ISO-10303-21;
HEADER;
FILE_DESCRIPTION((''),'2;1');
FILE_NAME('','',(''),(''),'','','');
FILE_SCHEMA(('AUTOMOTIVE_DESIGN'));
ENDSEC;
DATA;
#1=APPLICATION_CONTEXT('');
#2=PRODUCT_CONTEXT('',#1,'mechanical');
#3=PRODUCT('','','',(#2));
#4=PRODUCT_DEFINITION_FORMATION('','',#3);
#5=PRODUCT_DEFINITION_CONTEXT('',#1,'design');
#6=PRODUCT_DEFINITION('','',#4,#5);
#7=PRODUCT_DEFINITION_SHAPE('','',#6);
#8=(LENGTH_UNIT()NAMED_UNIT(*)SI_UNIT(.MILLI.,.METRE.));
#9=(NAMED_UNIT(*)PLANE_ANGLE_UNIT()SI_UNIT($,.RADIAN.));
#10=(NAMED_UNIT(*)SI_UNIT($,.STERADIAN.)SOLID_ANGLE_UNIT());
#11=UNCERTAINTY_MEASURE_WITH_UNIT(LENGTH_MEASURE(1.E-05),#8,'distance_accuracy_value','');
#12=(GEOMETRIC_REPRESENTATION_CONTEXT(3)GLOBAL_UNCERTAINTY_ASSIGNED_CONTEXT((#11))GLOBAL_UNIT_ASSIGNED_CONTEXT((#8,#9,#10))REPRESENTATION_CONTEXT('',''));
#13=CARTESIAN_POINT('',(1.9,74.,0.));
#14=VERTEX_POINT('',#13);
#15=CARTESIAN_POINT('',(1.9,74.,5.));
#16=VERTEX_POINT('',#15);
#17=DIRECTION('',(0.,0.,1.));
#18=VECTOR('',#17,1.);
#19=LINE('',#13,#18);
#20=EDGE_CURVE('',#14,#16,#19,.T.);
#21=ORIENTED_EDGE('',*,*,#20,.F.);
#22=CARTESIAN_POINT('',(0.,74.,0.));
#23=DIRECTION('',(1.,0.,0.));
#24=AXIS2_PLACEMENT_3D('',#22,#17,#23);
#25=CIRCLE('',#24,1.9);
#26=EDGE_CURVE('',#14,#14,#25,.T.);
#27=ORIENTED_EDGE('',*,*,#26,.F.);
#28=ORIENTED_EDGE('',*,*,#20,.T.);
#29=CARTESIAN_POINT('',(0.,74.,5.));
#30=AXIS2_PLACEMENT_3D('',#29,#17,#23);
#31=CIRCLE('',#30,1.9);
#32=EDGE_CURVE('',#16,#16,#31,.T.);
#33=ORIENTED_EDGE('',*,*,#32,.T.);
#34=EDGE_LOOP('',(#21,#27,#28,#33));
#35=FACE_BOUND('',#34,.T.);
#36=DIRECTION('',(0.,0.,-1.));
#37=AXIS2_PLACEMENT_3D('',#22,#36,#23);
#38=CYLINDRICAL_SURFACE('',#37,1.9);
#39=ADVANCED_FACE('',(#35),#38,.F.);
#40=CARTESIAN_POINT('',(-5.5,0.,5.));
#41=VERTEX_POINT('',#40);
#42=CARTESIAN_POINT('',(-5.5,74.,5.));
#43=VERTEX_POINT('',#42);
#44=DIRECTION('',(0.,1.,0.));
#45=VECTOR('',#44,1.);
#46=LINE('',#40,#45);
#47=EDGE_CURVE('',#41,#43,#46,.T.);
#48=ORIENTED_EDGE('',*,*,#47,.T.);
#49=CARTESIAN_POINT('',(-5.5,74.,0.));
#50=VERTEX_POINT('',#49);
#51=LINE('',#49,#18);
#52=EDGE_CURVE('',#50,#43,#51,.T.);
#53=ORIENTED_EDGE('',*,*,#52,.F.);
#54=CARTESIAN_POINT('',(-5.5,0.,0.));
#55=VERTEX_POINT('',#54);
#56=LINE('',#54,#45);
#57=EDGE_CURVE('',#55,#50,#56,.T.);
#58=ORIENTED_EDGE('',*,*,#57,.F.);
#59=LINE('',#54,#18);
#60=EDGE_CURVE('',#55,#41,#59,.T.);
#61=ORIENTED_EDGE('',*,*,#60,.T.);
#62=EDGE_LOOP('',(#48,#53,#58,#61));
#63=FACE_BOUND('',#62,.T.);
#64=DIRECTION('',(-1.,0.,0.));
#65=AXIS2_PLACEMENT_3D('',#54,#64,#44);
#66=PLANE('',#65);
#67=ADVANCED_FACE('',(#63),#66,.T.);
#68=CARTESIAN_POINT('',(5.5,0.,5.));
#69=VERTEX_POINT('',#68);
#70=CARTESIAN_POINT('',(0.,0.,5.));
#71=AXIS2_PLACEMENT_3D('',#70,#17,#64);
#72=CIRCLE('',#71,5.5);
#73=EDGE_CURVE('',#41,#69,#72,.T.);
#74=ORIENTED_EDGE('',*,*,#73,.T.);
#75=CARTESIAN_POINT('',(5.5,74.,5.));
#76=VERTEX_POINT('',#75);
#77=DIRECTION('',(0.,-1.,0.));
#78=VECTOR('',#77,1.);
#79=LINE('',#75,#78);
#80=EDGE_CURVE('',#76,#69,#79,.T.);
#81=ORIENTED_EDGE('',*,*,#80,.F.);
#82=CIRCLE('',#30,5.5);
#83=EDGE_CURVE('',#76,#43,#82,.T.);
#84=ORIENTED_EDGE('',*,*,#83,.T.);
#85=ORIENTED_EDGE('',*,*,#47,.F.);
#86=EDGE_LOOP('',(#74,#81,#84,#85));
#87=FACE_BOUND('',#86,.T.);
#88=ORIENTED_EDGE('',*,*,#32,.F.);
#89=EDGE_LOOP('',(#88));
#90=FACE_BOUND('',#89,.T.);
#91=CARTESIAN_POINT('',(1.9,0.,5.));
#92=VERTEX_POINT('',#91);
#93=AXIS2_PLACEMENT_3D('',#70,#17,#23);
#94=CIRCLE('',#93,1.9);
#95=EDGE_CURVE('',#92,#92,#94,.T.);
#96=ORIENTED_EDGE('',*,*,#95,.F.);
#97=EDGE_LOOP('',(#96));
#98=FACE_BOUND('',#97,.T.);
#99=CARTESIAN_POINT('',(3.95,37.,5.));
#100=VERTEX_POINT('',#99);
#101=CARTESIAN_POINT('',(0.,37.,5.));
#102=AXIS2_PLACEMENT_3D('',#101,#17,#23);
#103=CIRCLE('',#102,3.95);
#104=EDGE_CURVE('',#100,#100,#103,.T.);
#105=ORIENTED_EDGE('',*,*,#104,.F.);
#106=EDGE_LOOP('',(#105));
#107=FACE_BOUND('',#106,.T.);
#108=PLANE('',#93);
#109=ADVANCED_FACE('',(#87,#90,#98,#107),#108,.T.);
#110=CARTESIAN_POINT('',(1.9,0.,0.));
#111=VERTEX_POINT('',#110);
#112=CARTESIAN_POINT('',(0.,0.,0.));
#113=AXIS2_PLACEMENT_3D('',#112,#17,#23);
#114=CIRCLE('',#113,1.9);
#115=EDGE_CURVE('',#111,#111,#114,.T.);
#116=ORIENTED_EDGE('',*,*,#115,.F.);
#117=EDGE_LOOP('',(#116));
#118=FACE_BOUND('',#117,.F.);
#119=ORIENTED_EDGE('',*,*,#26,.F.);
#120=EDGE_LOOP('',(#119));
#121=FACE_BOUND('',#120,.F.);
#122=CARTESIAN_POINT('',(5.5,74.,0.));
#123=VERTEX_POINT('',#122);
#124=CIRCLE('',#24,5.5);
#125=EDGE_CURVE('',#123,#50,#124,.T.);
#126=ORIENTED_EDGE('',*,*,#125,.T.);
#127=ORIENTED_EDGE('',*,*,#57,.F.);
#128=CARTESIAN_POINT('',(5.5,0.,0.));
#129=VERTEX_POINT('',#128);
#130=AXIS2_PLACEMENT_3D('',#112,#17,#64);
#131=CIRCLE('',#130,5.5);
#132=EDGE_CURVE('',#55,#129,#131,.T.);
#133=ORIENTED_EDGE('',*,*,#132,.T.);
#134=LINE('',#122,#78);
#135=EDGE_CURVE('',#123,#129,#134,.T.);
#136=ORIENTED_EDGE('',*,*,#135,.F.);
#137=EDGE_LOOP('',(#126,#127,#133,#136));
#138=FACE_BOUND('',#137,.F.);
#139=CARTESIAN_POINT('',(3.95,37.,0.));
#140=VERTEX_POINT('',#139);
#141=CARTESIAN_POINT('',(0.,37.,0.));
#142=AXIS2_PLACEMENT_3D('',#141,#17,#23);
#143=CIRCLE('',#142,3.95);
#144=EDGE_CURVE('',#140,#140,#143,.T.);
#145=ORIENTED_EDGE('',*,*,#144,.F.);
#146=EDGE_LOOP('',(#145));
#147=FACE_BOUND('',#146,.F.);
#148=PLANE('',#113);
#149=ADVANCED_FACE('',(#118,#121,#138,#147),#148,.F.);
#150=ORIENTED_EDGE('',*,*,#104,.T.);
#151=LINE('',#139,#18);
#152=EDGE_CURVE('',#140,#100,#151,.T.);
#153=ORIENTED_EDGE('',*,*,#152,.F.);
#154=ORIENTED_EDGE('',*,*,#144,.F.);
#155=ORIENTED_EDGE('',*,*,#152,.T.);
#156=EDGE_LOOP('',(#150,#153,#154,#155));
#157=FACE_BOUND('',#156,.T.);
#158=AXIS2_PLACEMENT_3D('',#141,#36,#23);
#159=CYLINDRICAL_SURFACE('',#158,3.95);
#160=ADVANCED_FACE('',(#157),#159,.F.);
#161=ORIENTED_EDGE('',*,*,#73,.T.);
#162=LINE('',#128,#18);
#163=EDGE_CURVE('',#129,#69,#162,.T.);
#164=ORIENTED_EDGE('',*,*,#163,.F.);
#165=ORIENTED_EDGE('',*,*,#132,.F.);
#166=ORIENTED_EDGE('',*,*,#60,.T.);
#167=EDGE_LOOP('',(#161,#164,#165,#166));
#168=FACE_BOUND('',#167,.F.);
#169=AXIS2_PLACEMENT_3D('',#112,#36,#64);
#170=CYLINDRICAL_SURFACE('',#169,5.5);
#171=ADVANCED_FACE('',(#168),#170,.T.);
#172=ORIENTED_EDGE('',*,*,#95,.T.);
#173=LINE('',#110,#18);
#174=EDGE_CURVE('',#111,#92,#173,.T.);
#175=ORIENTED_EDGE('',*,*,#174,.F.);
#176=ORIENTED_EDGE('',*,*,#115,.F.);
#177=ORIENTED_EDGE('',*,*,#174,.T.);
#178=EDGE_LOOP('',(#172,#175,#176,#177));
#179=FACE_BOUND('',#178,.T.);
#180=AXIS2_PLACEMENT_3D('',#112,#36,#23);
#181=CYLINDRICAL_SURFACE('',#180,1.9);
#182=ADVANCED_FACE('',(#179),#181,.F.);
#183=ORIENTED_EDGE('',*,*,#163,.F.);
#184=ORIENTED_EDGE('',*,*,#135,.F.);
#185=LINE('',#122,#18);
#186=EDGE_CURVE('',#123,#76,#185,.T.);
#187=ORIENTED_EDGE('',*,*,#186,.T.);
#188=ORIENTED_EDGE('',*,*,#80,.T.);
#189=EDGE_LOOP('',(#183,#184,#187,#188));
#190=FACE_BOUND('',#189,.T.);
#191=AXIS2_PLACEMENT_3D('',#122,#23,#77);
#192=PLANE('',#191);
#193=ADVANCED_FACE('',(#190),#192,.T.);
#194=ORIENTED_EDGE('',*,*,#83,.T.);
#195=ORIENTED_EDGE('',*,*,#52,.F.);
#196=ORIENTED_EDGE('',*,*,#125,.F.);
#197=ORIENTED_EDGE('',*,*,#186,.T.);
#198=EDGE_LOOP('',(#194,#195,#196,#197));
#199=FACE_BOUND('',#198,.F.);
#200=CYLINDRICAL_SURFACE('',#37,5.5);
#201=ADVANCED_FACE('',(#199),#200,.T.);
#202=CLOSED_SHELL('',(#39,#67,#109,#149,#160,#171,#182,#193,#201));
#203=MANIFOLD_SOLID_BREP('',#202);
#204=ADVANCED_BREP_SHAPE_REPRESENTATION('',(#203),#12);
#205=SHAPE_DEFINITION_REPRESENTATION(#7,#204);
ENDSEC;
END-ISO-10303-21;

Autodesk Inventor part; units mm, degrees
ref_plane "YZ Plane" through (0, 0, 0) normal (1, 0, 0) x (0, 1, 0)
ref_plane "XZ Plane" through (0, 0, 0) normal (0, 1, 0) x (-1, 0, 0)
ref_plane "XY Plane" through (0, 0, 0) normal (0, 0, 1) x (1, 0, 0)
sketch "Sketch1" plane through (0, 0, 0) normal (0, 0, 1) x (1, 0, 0)
  circle A0 centre (0, 0) radius 5.5 construction
  circle A1 centre (0, 74) radius 5.5 construction
  circle A2 centre (0, 74) radius 1.9
  circle A3 centre (0, 0) radius 1.9
  circle A4 centre (0, 37) radius 3.95
  line L0 (0, 74) -> (0, 0) construction
  line L1 (5.5, 74) -> (5.5, 0)
  line L2 (-5.5, 0) -> (-5.5, 74)
  arc A5 (5.5, 74) -> (-5.5, 74) centre (0, 74) ccw
  arc A6 (-5.5, 0) -> (5.5, 0) centre (0, 0) ccw
  dimension "d0" = 11
  dimension "d1" = 11
  dimension "d2" = 74
  dimension "d3" = 3.8
  dimension "d4" = 3.8
  dimension "d5" = 7.9
extrude "Extrusion1" add sketch "Sketch1" along normal blind 5
equation "\"d0\" = d1"
equation "\"d4\" = d3"
properties part number "BearingCarrier" material "ABS Plastic"
